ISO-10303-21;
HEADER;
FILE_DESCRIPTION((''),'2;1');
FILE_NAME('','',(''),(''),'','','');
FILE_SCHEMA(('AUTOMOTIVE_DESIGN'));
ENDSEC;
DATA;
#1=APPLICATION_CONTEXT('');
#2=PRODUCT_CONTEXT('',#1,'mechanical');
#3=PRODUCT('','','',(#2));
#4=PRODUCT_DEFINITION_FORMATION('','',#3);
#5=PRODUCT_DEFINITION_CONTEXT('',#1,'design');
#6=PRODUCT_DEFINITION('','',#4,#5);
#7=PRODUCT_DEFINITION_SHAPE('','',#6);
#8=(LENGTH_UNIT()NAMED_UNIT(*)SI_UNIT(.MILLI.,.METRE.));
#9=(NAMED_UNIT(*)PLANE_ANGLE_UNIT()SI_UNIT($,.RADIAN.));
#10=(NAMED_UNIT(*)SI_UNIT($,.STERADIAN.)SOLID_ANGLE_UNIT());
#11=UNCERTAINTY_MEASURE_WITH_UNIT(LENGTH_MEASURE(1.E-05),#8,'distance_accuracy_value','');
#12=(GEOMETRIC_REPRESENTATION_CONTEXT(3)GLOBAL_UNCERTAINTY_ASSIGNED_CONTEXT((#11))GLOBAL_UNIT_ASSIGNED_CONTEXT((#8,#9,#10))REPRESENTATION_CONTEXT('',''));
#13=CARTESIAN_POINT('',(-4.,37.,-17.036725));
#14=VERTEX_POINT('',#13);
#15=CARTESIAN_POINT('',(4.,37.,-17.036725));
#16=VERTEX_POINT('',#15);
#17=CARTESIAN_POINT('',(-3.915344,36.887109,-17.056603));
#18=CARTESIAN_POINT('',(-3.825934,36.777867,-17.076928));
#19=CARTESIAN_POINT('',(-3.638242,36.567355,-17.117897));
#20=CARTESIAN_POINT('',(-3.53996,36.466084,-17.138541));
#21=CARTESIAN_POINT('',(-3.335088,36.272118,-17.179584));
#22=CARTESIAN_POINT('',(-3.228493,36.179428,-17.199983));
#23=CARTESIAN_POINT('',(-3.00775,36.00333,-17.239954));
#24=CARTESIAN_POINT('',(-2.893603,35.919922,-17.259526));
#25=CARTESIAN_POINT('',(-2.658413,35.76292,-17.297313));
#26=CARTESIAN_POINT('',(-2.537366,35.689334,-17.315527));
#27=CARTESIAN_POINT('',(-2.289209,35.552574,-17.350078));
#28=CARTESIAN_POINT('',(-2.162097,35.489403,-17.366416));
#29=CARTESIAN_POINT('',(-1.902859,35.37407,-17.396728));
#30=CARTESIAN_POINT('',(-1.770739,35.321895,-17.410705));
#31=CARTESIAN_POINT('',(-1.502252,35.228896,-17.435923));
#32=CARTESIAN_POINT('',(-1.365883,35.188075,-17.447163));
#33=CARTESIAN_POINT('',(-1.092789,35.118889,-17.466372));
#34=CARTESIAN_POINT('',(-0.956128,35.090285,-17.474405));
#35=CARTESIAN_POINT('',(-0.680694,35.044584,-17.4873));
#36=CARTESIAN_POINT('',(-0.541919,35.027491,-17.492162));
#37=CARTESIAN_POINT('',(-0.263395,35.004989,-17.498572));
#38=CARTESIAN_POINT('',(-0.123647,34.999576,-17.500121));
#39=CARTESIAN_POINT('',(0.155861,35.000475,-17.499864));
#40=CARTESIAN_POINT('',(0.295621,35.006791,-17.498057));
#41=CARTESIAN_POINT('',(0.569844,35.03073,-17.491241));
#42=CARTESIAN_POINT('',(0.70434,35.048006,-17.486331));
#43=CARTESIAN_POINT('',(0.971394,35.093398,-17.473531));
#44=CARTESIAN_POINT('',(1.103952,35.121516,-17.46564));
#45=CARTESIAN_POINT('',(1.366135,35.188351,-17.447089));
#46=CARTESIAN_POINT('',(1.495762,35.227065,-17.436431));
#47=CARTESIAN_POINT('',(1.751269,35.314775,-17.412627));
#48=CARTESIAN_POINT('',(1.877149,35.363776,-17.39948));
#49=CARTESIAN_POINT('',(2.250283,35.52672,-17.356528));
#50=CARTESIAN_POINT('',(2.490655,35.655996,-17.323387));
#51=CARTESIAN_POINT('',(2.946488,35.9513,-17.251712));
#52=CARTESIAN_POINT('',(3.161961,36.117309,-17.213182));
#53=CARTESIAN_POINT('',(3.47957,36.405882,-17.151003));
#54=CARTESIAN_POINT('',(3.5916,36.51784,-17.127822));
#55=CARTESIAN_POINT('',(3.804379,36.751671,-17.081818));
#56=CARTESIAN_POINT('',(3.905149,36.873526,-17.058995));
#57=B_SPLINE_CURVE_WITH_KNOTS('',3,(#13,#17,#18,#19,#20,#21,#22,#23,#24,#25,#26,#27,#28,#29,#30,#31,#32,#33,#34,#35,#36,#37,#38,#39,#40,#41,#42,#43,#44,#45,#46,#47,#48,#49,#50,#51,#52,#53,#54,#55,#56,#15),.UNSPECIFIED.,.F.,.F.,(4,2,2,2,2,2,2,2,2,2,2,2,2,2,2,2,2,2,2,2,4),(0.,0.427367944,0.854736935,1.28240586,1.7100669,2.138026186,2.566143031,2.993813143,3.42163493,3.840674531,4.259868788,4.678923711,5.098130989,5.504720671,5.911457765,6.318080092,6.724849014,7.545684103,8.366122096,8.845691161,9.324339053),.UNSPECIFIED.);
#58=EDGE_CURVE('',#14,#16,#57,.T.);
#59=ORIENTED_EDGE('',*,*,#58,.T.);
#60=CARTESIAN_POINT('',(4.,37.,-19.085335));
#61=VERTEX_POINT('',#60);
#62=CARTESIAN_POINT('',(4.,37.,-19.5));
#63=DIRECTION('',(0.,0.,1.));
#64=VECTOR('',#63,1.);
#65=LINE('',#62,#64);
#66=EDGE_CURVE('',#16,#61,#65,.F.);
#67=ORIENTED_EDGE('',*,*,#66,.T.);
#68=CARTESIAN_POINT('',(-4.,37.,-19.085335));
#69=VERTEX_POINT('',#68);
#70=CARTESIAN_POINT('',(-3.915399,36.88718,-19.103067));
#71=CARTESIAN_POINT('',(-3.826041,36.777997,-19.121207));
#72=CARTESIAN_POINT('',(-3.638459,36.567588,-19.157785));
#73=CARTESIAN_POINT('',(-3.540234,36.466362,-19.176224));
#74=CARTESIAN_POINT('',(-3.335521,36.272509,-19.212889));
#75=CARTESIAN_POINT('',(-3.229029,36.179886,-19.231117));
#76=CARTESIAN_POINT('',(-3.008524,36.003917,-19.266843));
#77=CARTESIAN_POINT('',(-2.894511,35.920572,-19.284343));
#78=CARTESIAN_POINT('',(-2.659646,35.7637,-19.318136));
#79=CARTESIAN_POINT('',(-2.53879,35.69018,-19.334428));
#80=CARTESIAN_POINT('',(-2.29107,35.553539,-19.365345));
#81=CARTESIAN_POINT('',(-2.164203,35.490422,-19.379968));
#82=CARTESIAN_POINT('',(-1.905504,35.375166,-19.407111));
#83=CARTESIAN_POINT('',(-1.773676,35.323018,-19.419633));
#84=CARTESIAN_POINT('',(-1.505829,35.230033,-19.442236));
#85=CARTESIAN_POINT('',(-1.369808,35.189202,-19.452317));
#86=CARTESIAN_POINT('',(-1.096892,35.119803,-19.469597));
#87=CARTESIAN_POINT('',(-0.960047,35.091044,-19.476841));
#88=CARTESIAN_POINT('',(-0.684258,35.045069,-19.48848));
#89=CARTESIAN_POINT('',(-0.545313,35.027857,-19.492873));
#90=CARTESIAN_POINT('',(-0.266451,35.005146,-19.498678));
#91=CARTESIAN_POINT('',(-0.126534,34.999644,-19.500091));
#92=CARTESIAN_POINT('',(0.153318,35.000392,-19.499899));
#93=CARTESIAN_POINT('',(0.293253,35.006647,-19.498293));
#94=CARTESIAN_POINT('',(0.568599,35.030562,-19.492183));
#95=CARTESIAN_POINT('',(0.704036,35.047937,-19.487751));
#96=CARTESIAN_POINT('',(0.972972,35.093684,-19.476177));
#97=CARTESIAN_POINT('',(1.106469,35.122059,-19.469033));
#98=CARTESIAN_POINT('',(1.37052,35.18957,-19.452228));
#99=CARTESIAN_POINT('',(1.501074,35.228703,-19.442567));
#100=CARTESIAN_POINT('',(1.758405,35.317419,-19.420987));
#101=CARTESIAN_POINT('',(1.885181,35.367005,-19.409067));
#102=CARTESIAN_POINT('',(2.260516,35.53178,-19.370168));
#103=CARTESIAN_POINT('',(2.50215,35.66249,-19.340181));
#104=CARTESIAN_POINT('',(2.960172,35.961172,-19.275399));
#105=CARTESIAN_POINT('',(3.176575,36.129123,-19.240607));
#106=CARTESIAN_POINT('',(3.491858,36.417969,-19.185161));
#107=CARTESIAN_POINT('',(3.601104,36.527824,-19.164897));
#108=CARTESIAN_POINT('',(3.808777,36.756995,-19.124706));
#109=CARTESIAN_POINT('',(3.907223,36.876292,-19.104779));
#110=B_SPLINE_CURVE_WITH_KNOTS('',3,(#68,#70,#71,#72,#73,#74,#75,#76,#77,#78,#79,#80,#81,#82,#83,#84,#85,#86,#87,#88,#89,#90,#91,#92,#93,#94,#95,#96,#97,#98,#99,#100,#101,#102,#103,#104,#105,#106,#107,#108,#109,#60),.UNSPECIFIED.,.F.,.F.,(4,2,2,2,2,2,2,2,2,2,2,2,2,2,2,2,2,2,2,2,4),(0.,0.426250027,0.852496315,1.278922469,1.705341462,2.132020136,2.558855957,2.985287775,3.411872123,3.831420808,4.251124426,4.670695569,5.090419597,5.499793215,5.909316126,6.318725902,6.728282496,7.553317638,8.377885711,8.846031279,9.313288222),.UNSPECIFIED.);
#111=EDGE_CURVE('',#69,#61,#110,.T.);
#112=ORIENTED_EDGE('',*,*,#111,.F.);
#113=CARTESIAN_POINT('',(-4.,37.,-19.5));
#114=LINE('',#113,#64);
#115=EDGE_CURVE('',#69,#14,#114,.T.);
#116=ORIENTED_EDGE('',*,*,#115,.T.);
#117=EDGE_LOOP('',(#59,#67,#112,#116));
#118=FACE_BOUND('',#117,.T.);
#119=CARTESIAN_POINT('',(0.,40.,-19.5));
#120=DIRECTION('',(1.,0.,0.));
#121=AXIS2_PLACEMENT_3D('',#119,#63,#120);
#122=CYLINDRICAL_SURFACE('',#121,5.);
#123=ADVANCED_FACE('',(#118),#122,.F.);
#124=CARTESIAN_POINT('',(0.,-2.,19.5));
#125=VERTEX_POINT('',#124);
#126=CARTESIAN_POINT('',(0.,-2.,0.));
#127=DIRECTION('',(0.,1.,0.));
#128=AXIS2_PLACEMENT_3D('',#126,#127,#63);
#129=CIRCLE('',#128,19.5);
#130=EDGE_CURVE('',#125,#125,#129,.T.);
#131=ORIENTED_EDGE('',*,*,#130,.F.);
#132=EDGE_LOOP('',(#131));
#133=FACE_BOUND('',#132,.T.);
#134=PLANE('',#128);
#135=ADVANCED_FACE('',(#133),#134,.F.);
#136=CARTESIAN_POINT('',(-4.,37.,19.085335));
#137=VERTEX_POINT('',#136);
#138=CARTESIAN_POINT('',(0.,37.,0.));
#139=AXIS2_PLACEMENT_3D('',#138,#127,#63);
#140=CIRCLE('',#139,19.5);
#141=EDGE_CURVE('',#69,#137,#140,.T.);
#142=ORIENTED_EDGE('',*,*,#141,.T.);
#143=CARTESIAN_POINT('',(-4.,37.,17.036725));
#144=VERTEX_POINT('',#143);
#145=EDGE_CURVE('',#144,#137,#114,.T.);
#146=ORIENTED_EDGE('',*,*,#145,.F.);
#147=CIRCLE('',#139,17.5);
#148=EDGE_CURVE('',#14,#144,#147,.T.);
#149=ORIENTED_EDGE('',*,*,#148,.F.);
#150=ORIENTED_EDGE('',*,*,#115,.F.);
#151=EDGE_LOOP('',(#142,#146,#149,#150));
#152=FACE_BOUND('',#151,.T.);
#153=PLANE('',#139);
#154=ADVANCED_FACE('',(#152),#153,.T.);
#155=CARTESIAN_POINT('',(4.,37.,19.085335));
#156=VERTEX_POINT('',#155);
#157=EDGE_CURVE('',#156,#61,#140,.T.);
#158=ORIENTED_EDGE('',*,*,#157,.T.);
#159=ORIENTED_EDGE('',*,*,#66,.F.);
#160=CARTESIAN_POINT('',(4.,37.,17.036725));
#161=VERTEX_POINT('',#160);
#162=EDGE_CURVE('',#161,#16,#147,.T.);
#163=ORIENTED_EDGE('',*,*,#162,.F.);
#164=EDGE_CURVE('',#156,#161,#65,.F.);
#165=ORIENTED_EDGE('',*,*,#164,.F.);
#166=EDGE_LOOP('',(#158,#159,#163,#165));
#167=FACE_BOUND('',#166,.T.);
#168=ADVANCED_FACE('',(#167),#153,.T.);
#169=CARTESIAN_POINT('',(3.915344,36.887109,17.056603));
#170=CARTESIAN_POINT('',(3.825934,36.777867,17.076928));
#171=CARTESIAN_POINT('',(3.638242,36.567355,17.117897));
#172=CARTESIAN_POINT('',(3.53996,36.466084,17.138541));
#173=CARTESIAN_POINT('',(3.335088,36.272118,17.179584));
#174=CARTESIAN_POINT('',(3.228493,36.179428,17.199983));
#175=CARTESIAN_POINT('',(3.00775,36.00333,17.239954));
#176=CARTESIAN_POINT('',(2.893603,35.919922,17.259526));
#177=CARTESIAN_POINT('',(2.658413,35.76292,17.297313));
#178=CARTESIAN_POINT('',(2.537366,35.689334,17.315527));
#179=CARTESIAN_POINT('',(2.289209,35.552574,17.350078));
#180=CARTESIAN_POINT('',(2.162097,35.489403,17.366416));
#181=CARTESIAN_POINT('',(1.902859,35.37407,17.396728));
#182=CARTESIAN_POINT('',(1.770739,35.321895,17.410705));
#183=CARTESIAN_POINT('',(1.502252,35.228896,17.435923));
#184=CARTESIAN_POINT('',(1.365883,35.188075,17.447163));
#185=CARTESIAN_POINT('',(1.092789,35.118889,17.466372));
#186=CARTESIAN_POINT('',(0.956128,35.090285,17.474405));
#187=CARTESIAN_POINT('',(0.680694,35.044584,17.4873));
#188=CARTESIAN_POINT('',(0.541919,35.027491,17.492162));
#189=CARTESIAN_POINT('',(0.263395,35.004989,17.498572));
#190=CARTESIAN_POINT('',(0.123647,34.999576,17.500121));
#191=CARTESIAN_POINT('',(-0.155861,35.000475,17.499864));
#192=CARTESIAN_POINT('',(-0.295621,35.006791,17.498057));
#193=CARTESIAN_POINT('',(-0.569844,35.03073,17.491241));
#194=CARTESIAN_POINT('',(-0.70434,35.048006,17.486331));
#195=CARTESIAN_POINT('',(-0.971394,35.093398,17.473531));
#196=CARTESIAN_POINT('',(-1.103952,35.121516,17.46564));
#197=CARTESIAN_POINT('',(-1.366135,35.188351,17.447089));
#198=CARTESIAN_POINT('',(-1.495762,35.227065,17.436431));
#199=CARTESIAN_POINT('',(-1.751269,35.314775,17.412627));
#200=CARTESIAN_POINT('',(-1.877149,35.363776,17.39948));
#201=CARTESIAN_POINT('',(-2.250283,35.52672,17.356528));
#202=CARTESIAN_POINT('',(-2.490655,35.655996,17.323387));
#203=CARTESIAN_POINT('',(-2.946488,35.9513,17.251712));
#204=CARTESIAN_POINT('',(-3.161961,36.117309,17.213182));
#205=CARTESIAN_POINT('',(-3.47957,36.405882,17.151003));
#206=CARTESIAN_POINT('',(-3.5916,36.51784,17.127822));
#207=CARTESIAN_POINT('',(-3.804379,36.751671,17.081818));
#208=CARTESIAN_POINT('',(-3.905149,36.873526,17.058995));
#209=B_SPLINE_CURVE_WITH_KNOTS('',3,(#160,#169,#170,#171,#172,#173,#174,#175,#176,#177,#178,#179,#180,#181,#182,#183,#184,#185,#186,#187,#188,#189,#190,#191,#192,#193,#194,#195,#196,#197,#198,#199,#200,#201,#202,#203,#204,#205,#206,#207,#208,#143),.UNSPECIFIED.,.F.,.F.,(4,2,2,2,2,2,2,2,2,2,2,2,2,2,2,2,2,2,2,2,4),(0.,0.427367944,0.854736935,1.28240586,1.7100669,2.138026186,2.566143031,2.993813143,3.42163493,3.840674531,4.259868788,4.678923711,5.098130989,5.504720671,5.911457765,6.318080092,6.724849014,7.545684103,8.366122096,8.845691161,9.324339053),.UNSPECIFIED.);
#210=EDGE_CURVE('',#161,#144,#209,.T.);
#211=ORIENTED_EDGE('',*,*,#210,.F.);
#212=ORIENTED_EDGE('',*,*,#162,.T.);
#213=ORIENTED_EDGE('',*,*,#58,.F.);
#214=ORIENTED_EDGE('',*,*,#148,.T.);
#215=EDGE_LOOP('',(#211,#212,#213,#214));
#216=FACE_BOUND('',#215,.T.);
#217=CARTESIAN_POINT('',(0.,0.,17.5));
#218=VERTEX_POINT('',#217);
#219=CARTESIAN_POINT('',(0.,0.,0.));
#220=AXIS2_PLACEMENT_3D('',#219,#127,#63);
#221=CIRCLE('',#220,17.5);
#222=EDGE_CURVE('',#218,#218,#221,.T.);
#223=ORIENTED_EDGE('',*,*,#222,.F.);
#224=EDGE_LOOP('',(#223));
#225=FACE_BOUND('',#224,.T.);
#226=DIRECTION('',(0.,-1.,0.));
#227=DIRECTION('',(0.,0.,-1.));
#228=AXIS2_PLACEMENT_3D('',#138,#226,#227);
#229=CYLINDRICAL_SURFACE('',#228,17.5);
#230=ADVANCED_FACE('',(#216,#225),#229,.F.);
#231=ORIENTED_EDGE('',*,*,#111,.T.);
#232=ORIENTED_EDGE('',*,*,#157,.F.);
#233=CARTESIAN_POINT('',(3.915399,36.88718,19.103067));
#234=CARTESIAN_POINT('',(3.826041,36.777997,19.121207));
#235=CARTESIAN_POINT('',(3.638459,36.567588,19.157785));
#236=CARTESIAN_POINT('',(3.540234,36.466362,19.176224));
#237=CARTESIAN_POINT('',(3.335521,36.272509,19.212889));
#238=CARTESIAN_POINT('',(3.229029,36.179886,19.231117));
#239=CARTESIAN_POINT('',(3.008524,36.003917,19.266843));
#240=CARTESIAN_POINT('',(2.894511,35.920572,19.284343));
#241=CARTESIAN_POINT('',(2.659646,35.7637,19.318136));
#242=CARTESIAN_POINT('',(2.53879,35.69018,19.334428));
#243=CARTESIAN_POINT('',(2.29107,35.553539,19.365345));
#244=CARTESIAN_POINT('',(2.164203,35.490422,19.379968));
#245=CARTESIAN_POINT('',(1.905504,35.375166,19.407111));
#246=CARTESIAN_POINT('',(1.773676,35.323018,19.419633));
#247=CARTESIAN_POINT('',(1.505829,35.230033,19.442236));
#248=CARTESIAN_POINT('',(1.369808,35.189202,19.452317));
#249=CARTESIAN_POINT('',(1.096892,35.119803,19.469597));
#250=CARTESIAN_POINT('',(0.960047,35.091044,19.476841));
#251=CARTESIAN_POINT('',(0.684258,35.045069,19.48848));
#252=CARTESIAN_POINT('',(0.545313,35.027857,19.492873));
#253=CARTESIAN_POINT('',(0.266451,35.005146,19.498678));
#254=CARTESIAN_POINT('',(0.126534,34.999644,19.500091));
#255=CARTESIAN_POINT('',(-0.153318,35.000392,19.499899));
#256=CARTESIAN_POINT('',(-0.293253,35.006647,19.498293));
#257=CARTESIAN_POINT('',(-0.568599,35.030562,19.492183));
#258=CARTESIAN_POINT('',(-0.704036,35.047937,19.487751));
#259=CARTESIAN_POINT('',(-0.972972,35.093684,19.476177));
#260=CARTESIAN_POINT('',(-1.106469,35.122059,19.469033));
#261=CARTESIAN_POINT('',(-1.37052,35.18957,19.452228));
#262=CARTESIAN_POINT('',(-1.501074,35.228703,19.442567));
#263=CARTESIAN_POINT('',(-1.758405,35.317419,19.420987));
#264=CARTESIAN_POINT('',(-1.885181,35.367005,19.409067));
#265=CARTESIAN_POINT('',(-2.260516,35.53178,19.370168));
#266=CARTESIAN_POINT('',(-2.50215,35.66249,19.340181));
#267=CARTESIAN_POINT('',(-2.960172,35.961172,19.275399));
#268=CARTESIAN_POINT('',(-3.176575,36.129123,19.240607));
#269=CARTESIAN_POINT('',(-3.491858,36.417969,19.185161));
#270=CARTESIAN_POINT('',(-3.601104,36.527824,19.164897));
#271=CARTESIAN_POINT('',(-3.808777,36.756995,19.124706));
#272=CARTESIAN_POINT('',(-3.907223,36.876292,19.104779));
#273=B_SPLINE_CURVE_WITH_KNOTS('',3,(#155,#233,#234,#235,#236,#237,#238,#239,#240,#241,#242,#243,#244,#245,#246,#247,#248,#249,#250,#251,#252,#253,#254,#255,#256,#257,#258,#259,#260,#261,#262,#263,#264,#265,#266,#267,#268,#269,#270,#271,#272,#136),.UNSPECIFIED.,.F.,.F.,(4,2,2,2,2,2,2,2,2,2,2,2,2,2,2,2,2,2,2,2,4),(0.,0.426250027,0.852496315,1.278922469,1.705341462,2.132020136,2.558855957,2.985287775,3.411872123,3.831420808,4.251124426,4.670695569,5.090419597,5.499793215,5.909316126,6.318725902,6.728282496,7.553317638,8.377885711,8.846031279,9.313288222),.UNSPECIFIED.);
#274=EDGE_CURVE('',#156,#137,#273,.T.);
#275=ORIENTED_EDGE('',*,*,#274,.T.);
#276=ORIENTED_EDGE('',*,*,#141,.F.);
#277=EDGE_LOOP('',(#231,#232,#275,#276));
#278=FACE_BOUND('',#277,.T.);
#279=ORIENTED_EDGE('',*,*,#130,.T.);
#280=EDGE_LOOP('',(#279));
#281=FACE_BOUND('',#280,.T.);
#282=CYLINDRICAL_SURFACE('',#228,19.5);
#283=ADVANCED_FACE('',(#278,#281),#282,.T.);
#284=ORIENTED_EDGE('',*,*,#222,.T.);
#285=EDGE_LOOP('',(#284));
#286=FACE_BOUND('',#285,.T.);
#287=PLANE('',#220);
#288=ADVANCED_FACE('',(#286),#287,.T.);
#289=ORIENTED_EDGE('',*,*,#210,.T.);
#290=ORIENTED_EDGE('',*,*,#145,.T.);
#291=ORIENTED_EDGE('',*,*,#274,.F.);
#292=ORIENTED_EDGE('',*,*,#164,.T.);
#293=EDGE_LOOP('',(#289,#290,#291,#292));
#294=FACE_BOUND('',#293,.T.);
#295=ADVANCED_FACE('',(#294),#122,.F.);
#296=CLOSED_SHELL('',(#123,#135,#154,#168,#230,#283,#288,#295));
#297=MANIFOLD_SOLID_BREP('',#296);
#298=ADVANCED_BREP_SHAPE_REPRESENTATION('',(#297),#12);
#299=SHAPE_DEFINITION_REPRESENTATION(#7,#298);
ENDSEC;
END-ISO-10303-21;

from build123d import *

# Parameters (mm, degrees)
SKETCH1_R               = 19.5
SKETCH1_R_2             = 17.5
BOSS_EXTRUDE1_DEPTH     = 37
BOSS_EXTRUDE2_START     = -2
SKETCH1_2_R             = 19.5
BOSS_EXTRUDE2_DEPTH     = 2
CUT_EXTRUDE1_DEPTH      = 47.146505827
CUT_EXTRUDE1_DEPTH_BACK = 47.146505827
SKETCH2_R               = 5


with BuildPart() as part:
    # Sketch1 → Boss-Extrude1 (new body)
    with BuildSketch(Plane(origin=(0, 0, 0), x_dir=(1, 0, 0), z_dir=(0, 1, 0))):
        Circle(SKETCH1_R)
        Circle(SKETCH1_R_2, mode=Mode.SUBTRACT)
    extrude(amount=BOSS_EXTRUDE1_DEPTH)

    # Sketch1<2> → Boss-Extrude2 (add)
    with BuildSketch(Plane(origin=(0, 0, 0), x_dir=(1, 0, 0), z_dir=(0, 1, 0)).offset(BOSS_EXTRUDE2_START)):
        Circle(SKETCH1_2_R)
    extrude(amount=BOSS_EXTRUDE2_DEPTH)

    # Sketch2 → Cut-Extrude1 (cut, two sides: drawn at the far end of the back side and taken through both)
    with BuildSketch(Plane.XY.offset(-CUT_EXTRUDE1_DEPTH_BACK)):
        with Locations((0, 40)):
            Circle(SKETCH2_R)
    extrude(amount=CUT_EXTRUDE1_DEPTH + CUT_EXTRUDE1_DEPTH_BACK, mode=Mode.SUBTRACT)


solid = part.part
